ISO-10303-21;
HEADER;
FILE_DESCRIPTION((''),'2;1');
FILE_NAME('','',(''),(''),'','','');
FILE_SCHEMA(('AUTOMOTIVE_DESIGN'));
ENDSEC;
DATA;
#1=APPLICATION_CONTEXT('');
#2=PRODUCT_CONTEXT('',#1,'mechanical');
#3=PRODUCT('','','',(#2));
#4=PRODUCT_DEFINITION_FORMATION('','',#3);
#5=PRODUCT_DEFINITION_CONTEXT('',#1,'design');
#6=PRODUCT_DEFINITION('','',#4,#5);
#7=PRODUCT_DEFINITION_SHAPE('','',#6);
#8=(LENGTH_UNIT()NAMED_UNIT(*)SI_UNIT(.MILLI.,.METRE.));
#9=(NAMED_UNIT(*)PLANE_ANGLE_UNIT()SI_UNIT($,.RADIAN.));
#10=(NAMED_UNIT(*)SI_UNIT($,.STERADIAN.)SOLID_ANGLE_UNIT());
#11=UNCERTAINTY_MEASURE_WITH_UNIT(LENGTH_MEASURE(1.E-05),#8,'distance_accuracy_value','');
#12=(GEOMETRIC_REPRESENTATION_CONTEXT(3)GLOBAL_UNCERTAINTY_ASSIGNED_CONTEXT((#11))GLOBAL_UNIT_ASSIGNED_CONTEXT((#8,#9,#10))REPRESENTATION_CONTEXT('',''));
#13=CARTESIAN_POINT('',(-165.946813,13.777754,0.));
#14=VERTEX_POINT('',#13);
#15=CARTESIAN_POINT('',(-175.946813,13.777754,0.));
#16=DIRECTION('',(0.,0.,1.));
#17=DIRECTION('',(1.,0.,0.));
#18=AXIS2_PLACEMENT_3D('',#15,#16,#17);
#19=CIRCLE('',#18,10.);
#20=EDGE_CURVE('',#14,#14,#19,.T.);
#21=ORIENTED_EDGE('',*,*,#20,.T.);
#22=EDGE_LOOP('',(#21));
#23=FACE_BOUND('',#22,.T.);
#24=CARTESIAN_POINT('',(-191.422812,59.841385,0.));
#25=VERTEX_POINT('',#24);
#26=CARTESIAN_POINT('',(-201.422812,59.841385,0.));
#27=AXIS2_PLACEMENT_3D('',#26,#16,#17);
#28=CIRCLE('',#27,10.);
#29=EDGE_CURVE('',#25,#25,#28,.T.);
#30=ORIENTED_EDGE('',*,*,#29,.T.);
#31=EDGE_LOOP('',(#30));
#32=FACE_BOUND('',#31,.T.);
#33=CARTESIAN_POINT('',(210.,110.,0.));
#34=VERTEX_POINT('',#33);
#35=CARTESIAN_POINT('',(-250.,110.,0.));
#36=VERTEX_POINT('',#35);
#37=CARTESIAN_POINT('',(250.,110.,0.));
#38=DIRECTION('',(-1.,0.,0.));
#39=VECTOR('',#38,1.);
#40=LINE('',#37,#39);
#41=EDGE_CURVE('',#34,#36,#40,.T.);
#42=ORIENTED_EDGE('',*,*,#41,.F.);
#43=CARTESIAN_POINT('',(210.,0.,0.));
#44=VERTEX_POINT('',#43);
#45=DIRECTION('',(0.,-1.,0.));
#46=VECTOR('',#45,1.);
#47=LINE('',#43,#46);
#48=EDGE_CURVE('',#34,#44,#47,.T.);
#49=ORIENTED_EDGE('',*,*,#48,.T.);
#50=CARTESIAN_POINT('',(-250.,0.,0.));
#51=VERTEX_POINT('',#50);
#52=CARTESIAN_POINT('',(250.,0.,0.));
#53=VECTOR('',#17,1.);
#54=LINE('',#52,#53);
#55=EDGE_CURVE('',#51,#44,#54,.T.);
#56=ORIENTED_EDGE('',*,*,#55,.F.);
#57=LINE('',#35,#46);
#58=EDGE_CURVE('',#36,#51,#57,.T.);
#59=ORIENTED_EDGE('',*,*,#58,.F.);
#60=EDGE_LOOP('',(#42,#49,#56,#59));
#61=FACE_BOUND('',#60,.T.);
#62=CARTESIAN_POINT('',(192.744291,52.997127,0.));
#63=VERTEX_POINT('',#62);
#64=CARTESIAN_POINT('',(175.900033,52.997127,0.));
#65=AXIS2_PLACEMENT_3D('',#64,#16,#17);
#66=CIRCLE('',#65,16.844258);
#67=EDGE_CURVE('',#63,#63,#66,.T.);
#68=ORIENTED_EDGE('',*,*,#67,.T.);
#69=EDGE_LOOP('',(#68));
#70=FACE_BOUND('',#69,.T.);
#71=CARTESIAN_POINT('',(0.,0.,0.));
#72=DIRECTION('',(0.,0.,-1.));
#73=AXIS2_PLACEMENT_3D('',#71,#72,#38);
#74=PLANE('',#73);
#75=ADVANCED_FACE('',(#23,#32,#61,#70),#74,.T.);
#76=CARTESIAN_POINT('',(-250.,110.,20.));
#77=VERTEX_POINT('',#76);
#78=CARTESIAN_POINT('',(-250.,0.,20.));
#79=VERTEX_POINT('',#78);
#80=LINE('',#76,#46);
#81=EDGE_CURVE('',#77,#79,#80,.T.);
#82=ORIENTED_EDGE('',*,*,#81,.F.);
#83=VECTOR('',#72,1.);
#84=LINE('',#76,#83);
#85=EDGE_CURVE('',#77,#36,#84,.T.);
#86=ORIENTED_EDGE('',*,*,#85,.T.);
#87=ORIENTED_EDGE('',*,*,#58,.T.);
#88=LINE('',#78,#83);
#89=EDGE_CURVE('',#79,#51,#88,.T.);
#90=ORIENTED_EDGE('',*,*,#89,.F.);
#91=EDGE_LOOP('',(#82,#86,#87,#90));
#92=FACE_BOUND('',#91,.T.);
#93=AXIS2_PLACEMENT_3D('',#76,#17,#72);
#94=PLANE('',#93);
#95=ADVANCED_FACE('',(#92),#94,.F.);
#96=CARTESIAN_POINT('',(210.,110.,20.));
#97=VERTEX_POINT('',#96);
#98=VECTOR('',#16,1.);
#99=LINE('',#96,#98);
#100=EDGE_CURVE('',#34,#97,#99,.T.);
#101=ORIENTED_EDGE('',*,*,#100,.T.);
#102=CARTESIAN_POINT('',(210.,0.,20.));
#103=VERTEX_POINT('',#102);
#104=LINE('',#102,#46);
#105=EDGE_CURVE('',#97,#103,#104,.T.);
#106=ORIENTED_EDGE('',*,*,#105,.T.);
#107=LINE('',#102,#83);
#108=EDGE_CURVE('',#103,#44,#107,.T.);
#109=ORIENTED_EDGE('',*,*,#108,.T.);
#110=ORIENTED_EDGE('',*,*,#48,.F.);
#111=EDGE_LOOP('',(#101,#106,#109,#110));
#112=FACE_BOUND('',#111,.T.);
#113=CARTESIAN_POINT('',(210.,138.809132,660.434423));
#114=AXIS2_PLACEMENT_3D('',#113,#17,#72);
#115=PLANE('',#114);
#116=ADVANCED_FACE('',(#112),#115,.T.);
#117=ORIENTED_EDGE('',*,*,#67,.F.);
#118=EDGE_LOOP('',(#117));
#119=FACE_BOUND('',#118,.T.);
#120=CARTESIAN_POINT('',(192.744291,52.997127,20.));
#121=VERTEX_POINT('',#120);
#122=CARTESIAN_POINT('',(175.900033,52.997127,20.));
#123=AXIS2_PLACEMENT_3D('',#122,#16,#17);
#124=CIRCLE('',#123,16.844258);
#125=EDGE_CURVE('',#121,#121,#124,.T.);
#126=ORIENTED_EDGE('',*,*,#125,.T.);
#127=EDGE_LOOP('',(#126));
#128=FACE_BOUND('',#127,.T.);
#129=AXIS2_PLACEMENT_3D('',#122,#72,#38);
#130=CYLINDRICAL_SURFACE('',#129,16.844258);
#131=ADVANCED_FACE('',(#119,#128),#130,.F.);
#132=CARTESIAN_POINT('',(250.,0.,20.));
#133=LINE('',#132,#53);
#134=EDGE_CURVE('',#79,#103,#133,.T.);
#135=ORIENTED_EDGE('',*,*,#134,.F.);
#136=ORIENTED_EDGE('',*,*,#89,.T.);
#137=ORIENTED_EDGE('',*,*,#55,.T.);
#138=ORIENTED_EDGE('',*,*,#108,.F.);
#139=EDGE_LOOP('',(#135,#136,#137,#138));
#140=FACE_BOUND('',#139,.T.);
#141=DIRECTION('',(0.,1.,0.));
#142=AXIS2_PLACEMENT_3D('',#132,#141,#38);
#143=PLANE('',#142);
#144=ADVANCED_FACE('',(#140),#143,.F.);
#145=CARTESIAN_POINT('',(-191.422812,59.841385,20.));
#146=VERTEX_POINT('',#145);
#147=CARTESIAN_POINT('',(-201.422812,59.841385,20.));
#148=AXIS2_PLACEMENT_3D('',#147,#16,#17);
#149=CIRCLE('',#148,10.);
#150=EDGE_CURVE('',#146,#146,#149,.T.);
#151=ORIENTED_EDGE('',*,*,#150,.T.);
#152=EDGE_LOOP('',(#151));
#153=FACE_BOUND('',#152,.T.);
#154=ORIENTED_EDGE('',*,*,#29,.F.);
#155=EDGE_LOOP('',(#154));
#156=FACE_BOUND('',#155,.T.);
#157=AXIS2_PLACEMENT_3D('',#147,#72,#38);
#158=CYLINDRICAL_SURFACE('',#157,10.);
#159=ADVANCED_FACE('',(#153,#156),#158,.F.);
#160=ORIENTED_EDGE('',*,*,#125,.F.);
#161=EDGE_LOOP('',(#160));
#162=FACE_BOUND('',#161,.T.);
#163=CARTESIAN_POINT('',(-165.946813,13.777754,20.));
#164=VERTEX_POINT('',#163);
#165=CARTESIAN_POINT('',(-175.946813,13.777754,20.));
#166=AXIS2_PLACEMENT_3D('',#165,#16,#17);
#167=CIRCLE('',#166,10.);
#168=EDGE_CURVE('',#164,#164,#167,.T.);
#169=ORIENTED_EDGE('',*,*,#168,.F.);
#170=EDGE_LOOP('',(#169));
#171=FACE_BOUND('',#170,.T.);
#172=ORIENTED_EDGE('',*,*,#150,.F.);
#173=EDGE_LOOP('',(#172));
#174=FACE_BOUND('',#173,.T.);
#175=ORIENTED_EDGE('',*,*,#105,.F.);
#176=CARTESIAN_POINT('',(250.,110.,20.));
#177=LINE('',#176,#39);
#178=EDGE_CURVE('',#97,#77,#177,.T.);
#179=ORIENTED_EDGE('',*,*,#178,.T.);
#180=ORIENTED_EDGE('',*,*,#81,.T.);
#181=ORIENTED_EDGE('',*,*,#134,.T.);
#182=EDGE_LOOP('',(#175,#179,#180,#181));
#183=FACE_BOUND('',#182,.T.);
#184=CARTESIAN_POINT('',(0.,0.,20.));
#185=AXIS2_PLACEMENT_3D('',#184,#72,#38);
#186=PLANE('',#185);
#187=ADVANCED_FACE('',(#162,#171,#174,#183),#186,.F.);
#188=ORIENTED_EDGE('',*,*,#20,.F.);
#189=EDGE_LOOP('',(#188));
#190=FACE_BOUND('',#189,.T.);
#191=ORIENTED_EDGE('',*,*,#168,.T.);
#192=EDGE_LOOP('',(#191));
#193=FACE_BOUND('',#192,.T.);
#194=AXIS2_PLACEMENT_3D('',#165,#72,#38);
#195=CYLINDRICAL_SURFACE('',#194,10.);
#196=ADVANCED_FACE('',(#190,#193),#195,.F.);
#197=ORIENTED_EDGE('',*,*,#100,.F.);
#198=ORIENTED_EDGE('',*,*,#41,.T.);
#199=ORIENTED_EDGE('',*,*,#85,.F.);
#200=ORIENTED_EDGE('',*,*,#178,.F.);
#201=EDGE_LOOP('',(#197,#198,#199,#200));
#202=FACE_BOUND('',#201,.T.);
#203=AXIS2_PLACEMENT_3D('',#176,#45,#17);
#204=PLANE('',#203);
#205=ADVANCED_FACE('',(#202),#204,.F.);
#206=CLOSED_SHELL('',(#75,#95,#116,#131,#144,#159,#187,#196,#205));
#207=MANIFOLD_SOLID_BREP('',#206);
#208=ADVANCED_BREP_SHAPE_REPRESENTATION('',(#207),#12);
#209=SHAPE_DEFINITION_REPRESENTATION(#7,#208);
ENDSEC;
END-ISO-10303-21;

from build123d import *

# Parameters (mm, degrees)
SKETCH_1_W               = 500
SKETCH_1_H               = 110
SKETCH_1_R               = 16.844258013
SKETCH_1_R_2             = 10
EXTRUDE_1_DEPTH          = 20
CUT_EXTRUDE_1_DEPTH      = 274.861278753
CUT_EXTRUDE_1_DEPTH_BACK = 274.861278753


with BuildPart() as part:
    # 草图1 → 凸台-拉伸1 (new body)
    with BuildSketch(Plane.XY):
        with Locations((0, 55)):
            Rectangle(SKETCH_1_W, SKETCH_1_H)
        with Locations((175.900033463, 52.997126546)):
            Circle(SKETCH_1_R, mode=Mode.SUBTRACT)
        with Locations((-175.9468126, 13.777754179)):
            Circle(SKETCH_1_R_2, mode=Mode.SUBTRACT)
        with Locations((-201.422811837, 59.841384559)):
            Circle(SKETCH_1_R_2, mode=Mode.SUBTRACT)
    extrude(amount=EXTRUDE_1_DEPTH)

    # 草图2 → 切除-拉伸1 (cut, two sides: drawn at the far end of the back side and taken through both)
    with BuildSketch(Plane.XY.offset(20).offset(-CUT_EXTRUDE_1_DEPTH_BACK)):
        Polygon((1297.820746048, 138.80913238), (250, 138.80913238), (210, 138.80913238), (210, -127.893820907), (210, -1175.714566955), (1824.507064902, -2511.783502593), (2912.32781095, -1197.259803259), align=None)
    extrude(amount=CUT_EXTRUDE_1_DEPTH + CUT_EXTRUDE_1_DEPTH_BACK, mode=Mode.SUBTRACT)


solid = part.part
